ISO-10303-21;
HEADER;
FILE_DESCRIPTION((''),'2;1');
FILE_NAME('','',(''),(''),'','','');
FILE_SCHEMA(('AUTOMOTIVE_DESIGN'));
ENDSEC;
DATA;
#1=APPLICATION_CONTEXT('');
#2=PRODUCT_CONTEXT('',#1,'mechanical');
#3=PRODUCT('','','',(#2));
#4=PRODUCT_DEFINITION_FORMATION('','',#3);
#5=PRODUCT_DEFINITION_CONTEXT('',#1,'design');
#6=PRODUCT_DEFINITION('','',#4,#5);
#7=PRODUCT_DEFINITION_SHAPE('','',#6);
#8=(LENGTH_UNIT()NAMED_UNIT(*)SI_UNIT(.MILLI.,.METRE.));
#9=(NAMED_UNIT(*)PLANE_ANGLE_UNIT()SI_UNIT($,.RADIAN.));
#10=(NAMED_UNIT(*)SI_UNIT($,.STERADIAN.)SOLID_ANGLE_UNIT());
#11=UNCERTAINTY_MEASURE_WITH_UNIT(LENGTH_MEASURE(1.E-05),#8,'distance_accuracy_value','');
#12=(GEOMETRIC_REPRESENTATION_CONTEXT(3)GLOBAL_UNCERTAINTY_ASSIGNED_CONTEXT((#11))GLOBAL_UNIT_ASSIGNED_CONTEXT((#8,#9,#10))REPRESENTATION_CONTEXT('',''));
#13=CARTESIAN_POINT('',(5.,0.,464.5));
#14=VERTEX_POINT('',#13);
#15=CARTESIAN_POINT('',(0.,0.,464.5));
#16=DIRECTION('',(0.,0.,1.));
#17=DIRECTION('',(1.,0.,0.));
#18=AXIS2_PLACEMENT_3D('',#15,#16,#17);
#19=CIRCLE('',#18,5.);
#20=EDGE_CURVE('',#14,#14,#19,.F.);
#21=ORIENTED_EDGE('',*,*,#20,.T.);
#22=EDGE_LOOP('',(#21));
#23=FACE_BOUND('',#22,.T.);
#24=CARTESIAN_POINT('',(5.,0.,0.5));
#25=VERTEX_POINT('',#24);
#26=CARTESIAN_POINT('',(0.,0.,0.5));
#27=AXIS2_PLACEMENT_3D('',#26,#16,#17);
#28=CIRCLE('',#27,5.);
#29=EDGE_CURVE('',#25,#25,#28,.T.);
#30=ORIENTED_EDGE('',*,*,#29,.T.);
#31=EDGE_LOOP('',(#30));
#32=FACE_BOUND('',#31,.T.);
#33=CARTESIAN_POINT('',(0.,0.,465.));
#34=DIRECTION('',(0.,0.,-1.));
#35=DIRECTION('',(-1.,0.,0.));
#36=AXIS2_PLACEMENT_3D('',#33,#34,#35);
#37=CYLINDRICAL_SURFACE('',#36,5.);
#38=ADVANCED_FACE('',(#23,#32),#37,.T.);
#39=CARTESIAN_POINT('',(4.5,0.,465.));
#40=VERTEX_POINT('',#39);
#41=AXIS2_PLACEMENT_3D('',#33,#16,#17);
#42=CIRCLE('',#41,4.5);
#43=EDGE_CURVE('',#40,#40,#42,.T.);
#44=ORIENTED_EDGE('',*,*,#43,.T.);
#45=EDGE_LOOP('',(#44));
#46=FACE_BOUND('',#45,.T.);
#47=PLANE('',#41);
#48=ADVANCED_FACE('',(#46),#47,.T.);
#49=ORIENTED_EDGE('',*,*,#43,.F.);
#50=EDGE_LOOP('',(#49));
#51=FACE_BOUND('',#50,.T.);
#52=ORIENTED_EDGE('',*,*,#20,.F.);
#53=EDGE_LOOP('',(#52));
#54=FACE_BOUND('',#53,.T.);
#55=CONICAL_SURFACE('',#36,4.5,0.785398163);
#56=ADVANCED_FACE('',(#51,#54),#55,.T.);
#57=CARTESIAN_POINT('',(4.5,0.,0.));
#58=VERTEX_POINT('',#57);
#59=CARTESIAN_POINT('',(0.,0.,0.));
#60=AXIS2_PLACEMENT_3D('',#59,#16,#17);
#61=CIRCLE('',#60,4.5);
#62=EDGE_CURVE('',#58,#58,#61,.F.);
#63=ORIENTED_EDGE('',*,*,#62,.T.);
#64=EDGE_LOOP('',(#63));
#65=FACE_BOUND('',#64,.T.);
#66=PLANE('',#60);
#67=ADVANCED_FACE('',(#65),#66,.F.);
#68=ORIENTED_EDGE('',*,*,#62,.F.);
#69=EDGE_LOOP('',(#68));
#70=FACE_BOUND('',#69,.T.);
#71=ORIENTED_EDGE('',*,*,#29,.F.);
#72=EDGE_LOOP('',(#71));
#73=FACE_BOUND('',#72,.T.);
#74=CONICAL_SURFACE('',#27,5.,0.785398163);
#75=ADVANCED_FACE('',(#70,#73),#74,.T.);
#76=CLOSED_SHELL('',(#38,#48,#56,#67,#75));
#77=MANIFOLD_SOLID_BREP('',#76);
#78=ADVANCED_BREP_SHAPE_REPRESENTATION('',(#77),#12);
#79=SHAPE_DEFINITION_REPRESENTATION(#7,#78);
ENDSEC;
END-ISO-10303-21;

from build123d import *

# Parameters (mm, degrees)
SKETCH1_R           = 5
BOSS_EXTRUDE1_DEPTH = 465
CHAMFER1_SIZE       = 0.5
CHAMFER2_SIZE       = 0.5


with BuildPart() as part:
    # Sketch1 → Boss-Extrude1 (new body)
    with BuildSketch(Plane.XY):
        Circle(SKETCH1_R)
    extrude(amount=BOSS_EXTRUDE1_DEPTH)

    # Chamfer1
    chamfer1_edges = [part.edges().sort_by_distance(p)[0] for p in [
        (-5, 0, 465),
    ]]
    chamfer(chamfer1_edges, length=CHAMFER1_SIZE)

    # Chamfer2
    chamfer2_edges = [part.edges().sort_by_distance(p)[0] for p in [
        (-5, 0, 0),
    ]]
    chamfer(chamfer2_edges, length=CHAMFER2_SIZE)


solid = part.part
